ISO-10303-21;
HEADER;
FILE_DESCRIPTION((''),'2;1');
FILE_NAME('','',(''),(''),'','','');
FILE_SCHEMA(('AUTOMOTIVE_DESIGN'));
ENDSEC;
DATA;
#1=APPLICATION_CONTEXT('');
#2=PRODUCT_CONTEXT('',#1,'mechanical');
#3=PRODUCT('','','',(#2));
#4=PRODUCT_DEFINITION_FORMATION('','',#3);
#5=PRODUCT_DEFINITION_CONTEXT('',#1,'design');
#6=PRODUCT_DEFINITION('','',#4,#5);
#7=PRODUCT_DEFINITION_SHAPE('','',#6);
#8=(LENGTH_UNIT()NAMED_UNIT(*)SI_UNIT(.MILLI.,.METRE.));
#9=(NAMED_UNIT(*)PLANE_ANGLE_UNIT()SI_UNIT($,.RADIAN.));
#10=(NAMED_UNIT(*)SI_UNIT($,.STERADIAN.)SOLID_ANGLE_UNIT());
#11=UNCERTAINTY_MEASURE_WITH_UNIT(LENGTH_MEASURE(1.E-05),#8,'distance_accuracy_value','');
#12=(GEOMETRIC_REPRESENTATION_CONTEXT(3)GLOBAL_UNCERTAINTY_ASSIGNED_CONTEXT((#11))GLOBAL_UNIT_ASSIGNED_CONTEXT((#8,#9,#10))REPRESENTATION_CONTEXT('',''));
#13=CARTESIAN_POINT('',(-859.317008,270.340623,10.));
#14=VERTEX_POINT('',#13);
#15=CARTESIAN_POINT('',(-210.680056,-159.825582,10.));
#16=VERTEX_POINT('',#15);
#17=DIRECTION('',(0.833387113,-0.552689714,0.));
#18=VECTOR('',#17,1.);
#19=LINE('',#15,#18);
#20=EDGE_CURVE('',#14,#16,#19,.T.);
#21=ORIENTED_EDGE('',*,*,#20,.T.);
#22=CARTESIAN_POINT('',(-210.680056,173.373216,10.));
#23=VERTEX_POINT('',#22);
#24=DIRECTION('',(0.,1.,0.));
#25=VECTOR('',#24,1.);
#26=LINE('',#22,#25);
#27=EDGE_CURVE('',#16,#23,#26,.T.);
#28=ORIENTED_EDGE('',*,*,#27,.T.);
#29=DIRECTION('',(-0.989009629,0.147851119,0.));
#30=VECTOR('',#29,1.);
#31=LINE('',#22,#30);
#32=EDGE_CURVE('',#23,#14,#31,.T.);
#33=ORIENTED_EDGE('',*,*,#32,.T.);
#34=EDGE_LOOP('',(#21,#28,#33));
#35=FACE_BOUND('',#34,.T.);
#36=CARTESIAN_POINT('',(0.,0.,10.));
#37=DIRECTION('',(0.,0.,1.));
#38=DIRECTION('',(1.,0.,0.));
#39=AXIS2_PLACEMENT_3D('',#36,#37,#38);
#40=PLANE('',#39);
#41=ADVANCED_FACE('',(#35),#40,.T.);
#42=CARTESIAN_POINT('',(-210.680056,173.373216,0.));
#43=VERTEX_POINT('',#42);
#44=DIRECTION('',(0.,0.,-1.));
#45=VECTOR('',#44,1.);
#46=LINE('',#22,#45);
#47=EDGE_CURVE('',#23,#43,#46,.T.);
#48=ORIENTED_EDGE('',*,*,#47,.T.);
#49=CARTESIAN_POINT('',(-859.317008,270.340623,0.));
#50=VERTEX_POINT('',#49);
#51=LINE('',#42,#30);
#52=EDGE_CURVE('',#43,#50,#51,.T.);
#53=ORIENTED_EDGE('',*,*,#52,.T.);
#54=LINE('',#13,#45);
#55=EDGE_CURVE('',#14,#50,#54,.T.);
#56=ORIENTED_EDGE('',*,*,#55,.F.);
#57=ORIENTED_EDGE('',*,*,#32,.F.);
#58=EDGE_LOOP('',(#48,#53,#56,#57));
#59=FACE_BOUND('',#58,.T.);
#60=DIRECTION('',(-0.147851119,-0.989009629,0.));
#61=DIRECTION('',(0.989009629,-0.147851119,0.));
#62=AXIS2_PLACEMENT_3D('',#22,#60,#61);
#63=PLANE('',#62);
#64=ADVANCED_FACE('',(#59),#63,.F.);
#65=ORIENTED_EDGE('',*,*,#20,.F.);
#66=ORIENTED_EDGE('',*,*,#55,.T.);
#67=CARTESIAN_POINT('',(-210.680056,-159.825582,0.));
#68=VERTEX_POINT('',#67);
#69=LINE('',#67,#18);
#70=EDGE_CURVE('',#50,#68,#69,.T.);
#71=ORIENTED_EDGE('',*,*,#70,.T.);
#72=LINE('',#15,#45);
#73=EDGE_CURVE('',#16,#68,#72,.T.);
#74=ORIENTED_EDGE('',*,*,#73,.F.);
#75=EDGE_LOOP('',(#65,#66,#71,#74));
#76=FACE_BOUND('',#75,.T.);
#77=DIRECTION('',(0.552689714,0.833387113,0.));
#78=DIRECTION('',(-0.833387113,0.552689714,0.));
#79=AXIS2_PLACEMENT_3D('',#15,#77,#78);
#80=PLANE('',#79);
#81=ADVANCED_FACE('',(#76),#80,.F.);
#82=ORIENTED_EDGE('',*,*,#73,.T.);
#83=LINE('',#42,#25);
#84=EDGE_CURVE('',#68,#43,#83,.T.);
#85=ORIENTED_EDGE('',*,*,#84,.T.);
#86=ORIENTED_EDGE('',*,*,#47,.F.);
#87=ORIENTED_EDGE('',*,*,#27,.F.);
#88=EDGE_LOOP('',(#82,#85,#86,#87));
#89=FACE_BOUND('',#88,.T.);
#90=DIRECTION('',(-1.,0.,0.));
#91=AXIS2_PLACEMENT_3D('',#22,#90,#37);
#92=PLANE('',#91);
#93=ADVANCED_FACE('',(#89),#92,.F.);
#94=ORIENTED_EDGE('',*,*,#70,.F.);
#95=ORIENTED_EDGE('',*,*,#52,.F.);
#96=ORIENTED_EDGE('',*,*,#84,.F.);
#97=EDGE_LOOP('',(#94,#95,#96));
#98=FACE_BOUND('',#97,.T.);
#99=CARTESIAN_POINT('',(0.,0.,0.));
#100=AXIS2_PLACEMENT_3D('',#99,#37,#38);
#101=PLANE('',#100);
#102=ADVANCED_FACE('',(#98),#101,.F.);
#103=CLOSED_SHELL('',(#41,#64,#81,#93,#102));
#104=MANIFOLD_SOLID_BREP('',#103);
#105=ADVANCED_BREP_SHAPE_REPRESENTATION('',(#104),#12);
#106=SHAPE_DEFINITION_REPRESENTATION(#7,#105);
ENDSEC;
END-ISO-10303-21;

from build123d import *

# Parameters (mm, degrees)
DODANIE_WYCI_GNI_CIE1_DEPTH = 10


with BuildPart() as part:
    # Szkic1 → Dodanie-wyciągnięcie1 (new body)
    with BuildSketch(Plane.XY):
        Polygon((-210.680056235, 173.373216466), (-210.680056235, -159.825581885), (-859.317008092, 270.340623328), align=None)
    extrude(amount=DODANIE_WYCI_GNI_CIE1_DEPTH)


solid = part.part
